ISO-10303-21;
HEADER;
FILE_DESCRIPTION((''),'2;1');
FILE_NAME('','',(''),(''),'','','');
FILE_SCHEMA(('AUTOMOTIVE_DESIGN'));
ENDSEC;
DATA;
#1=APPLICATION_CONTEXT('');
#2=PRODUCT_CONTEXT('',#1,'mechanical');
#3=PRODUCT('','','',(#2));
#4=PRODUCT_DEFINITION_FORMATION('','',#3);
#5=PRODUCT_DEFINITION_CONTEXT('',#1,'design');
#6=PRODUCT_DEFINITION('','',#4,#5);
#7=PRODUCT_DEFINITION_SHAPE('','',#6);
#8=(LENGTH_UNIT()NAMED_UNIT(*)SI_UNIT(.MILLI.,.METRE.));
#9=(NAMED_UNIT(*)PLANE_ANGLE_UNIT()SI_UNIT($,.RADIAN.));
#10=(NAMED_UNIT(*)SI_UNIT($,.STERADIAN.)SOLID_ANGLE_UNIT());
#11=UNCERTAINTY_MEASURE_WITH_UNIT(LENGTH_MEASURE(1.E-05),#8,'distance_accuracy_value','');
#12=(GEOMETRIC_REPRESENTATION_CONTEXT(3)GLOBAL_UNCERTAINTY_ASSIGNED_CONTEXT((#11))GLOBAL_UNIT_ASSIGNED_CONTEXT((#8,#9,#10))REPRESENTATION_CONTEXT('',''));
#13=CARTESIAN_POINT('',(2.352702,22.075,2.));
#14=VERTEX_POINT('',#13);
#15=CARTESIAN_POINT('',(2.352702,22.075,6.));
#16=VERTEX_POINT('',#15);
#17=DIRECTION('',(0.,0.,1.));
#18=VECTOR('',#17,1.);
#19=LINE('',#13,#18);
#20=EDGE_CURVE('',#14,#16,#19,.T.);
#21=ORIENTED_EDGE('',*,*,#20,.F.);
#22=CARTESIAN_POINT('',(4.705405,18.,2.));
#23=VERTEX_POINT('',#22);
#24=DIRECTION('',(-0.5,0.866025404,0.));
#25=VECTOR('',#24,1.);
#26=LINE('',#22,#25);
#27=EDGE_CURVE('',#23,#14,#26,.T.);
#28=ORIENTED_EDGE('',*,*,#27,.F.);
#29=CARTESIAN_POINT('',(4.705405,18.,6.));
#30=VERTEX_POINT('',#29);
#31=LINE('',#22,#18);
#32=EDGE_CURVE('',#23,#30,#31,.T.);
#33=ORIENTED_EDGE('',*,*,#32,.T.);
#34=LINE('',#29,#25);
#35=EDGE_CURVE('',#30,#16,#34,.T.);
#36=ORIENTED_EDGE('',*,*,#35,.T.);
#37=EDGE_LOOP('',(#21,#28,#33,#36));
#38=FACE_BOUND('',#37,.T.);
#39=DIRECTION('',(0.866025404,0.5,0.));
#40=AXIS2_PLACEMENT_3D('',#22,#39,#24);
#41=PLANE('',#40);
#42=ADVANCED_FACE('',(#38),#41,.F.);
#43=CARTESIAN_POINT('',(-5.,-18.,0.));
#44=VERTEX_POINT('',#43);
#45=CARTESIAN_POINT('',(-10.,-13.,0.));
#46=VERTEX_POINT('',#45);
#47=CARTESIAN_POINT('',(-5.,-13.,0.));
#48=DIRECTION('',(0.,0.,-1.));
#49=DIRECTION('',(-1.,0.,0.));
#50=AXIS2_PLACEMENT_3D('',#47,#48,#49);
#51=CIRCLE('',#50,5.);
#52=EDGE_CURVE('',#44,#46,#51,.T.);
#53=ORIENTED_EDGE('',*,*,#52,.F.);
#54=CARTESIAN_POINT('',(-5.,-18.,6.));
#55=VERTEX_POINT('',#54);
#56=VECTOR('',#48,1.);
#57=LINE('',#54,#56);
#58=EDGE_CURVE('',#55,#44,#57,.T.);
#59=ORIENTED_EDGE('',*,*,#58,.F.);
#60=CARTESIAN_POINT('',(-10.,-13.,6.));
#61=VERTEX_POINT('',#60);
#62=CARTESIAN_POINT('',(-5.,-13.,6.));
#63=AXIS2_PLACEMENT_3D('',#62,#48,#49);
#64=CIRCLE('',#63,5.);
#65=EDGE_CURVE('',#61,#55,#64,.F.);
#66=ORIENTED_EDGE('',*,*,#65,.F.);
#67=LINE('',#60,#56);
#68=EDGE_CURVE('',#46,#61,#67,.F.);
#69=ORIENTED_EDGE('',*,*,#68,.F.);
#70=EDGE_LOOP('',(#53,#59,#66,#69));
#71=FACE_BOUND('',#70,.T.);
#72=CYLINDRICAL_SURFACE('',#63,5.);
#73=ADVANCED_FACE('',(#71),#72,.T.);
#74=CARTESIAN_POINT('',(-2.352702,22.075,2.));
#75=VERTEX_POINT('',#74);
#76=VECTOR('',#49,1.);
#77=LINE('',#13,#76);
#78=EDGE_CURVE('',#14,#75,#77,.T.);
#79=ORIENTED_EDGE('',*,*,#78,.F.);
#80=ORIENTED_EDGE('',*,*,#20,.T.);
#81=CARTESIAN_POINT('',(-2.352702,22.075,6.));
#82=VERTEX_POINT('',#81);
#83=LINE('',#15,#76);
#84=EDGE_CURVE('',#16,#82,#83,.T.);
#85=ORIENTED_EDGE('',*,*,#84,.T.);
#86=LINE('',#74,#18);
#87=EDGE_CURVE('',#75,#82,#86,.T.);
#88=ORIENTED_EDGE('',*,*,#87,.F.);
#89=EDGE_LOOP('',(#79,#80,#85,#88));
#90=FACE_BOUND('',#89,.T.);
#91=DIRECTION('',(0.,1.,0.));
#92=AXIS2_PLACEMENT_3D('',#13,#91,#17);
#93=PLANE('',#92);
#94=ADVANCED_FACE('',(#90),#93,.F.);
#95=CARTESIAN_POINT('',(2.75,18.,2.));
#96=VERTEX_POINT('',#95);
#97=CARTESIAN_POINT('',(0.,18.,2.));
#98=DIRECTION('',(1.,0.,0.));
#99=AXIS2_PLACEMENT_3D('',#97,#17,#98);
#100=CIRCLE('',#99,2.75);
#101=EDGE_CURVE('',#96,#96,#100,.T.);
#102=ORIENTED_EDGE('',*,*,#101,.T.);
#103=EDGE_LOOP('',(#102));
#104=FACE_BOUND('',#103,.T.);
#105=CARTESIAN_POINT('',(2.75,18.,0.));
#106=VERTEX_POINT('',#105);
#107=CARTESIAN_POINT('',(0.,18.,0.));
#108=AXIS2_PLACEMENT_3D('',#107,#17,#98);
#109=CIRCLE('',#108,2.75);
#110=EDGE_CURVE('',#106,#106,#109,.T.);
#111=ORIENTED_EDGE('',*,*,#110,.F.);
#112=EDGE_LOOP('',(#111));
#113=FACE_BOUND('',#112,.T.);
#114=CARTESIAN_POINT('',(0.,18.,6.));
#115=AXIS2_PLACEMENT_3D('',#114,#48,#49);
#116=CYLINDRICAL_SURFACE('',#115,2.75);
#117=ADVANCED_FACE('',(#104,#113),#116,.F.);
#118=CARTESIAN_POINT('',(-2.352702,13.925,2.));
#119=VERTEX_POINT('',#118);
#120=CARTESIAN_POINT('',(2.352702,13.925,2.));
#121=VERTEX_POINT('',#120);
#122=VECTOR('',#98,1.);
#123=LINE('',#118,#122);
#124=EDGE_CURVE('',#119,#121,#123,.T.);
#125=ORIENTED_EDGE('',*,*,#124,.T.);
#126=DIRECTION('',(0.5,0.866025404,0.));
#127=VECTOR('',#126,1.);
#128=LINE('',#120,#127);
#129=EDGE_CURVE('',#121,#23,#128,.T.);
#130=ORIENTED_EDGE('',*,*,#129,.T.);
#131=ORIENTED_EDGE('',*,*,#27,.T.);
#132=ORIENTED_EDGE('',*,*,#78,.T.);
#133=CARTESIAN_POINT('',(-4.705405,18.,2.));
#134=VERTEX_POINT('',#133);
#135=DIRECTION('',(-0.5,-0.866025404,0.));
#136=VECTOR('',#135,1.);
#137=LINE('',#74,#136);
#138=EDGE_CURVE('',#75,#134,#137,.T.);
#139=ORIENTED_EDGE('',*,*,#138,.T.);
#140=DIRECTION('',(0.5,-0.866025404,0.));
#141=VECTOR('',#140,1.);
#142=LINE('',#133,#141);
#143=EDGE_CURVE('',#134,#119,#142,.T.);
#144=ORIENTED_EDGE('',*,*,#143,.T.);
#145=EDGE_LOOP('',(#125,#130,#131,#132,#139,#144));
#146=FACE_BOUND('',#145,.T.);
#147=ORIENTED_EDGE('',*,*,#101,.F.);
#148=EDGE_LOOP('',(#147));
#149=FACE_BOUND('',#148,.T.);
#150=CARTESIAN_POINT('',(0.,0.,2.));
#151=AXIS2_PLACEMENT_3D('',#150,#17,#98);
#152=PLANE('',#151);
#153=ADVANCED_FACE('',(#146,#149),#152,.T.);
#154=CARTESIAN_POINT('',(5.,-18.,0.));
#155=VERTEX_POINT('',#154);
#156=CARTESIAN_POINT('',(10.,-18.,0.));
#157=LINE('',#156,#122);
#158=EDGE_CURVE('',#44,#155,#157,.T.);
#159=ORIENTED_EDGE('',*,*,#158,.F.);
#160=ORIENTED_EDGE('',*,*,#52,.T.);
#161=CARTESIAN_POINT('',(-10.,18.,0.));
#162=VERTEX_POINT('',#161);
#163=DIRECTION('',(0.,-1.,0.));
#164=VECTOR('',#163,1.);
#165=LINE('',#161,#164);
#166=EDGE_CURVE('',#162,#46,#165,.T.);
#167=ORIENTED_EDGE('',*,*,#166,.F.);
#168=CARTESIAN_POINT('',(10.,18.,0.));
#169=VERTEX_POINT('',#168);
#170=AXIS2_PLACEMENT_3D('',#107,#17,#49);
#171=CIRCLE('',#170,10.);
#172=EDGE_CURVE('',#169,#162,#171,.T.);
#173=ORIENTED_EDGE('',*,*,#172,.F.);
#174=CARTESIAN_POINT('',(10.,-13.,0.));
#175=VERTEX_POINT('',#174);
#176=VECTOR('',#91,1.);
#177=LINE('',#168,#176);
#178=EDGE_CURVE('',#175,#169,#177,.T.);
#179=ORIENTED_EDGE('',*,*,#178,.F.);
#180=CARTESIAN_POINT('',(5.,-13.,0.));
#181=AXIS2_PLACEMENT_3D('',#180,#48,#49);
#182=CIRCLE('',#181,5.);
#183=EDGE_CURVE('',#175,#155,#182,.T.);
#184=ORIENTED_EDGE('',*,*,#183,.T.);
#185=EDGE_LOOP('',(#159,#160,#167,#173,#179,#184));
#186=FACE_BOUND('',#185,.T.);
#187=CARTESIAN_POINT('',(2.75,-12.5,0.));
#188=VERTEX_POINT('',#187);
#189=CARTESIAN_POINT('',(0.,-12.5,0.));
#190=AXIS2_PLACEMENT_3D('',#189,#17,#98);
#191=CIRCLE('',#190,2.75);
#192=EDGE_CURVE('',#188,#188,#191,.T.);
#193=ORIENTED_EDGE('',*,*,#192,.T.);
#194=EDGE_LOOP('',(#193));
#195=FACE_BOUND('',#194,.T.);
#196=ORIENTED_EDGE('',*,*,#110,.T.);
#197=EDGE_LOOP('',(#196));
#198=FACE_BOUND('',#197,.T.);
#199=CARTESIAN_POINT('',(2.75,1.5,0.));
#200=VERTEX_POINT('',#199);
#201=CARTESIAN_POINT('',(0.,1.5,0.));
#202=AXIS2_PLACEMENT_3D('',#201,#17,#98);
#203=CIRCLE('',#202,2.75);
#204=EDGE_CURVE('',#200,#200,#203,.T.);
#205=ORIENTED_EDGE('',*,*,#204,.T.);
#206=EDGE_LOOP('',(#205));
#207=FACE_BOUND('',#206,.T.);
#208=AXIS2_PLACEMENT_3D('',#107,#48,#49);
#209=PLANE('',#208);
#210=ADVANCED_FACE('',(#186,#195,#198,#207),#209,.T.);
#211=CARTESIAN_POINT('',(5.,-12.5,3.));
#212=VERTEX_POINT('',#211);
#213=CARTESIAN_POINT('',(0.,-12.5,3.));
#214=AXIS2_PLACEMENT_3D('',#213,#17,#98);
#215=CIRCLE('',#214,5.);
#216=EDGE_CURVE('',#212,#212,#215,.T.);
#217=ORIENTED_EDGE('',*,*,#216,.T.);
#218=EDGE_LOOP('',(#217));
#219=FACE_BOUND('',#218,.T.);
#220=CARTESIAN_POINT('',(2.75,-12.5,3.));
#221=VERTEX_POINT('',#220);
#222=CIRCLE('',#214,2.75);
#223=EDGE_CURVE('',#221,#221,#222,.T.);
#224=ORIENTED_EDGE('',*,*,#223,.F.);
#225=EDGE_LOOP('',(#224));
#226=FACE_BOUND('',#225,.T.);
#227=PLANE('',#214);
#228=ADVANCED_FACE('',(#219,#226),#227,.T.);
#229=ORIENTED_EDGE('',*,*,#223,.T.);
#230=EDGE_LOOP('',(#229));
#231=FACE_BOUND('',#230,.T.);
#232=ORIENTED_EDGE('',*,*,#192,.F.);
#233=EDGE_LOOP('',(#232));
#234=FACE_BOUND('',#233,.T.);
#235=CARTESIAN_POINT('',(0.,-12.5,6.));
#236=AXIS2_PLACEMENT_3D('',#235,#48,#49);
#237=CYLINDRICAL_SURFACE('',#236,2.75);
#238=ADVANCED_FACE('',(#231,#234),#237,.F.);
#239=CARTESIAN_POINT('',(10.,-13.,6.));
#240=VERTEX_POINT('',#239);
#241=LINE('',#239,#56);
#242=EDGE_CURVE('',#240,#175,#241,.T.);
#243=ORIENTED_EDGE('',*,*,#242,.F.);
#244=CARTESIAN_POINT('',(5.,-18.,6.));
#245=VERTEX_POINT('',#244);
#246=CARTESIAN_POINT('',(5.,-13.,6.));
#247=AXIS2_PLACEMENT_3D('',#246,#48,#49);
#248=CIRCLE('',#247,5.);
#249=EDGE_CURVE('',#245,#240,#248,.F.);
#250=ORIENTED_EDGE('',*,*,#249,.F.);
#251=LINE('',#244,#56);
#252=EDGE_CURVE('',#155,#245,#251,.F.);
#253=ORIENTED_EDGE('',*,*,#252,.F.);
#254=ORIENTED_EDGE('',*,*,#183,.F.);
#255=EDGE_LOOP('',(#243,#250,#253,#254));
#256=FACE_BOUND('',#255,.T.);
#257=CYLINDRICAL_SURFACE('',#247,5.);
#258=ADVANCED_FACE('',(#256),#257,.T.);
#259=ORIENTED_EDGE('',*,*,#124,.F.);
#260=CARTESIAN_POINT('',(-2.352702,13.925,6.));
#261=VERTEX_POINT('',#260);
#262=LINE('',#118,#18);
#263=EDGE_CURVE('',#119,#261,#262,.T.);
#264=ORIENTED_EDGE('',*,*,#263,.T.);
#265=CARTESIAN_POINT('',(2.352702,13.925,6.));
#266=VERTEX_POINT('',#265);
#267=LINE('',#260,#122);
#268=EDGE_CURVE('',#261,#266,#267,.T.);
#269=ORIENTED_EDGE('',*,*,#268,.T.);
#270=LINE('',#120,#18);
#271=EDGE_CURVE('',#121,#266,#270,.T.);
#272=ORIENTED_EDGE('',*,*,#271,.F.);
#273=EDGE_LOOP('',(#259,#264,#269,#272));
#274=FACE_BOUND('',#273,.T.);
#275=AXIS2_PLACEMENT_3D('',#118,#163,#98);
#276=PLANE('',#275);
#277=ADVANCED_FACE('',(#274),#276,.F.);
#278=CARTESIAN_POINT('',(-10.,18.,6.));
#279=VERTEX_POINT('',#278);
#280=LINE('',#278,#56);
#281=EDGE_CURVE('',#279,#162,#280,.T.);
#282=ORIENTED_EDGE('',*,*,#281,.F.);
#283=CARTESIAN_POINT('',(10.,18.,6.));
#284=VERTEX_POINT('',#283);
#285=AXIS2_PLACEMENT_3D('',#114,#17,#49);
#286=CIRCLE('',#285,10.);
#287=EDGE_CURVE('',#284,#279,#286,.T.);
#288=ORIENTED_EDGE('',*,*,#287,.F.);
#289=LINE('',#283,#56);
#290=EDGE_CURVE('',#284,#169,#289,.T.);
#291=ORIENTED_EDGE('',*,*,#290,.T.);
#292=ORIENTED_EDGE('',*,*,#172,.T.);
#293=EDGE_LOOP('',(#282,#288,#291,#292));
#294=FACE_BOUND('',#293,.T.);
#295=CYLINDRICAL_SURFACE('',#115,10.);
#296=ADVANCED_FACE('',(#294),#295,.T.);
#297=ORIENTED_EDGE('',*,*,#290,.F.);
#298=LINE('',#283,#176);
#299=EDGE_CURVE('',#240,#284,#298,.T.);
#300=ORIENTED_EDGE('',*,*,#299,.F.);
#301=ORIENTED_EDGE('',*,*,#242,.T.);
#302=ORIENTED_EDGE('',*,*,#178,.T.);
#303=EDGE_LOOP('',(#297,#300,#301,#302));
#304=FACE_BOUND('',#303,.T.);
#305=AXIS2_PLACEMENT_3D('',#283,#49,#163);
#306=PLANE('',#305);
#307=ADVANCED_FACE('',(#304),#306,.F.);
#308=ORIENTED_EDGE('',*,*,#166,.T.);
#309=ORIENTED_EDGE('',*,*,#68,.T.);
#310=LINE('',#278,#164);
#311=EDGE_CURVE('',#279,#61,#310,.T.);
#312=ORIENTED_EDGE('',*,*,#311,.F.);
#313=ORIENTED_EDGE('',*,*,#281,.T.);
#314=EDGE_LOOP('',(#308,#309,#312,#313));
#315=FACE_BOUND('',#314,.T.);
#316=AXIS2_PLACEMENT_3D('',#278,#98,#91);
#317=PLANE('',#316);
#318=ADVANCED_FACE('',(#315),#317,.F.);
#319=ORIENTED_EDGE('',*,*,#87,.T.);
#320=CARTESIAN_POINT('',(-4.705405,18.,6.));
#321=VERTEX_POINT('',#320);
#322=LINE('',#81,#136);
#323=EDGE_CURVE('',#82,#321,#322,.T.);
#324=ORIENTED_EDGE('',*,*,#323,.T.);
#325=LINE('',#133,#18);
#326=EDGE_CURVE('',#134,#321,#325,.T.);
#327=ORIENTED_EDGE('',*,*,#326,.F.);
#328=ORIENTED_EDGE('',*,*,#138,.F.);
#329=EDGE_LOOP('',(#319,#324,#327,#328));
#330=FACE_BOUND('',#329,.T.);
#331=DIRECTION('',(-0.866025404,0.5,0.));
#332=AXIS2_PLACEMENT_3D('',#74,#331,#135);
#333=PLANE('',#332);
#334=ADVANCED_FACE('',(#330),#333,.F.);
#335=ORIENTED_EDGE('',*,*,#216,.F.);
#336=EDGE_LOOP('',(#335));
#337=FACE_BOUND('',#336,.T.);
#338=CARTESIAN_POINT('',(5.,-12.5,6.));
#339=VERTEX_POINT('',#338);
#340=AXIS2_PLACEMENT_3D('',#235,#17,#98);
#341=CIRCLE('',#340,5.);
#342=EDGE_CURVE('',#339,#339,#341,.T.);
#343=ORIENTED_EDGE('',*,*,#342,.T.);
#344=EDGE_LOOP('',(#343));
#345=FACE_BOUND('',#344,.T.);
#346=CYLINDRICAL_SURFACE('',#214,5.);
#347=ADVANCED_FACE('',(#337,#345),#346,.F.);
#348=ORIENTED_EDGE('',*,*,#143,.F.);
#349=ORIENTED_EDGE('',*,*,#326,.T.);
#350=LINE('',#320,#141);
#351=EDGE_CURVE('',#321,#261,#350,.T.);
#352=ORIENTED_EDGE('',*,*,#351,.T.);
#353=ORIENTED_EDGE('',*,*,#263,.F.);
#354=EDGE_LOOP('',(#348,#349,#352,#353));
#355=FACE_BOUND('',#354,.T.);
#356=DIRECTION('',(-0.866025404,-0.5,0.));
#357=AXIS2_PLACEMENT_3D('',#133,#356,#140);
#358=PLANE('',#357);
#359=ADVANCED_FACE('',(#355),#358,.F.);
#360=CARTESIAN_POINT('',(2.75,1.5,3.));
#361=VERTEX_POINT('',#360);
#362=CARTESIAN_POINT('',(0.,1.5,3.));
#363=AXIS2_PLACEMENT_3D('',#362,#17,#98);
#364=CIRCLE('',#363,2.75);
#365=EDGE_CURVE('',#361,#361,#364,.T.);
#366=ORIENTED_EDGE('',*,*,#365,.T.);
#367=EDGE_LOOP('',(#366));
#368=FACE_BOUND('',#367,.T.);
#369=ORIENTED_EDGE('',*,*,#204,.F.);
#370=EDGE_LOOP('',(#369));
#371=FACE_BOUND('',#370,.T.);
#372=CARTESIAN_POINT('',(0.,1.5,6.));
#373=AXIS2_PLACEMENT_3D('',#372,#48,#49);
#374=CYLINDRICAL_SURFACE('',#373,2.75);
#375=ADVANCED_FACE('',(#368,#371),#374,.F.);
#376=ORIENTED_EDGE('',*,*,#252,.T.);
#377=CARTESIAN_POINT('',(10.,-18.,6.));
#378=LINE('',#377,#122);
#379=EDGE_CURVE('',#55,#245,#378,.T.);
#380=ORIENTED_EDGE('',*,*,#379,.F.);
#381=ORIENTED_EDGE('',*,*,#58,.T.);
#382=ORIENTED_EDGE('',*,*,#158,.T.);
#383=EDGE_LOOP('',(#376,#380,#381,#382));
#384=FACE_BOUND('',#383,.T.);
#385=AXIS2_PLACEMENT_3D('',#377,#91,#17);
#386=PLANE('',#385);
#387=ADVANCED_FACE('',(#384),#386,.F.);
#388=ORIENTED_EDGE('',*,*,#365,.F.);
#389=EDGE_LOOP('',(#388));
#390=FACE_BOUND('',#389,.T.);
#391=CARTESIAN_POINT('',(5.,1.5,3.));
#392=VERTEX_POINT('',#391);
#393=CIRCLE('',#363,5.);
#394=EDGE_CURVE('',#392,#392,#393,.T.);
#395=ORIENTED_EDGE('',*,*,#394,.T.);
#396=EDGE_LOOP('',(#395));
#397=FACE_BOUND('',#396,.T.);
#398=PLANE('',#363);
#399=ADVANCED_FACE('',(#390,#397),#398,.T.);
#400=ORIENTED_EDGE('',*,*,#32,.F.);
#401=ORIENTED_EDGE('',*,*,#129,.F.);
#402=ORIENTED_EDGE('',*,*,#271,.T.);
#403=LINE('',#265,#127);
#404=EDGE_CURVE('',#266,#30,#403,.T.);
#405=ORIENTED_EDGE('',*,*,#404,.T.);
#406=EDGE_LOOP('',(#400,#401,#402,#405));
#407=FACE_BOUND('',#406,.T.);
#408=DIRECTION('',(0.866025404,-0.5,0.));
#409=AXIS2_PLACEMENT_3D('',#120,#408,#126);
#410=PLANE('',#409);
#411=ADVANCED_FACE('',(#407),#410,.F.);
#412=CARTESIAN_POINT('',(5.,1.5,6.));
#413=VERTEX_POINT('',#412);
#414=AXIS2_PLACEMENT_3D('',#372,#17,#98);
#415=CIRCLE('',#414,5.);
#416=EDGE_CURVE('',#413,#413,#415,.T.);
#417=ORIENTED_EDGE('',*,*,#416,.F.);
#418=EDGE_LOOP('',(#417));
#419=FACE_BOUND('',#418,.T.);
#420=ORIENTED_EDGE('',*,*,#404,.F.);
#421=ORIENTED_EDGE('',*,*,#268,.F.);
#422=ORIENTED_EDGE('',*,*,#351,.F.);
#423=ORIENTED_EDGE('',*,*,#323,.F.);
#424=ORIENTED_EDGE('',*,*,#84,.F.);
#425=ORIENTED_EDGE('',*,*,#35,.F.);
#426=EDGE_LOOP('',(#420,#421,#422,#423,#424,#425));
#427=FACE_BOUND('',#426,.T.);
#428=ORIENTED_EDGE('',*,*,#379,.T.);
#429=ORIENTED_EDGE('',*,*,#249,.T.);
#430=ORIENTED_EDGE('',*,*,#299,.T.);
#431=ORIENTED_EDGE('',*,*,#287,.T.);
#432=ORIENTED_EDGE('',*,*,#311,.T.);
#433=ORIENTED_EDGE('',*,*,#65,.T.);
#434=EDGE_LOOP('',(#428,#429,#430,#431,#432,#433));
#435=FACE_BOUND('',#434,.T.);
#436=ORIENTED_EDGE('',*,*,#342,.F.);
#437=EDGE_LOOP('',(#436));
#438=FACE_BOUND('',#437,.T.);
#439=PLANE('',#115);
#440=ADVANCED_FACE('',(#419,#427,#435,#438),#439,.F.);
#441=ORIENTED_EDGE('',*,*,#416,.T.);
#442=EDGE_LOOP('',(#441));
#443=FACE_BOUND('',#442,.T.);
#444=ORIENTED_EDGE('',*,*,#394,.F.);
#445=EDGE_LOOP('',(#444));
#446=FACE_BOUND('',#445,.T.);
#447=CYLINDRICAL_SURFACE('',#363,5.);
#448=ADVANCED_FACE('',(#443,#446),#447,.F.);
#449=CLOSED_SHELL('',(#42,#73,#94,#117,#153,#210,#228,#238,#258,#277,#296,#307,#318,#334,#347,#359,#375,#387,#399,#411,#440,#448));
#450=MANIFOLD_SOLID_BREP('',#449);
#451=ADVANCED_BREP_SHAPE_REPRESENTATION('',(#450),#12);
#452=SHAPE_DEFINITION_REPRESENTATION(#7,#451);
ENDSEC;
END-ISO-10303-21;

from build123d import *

# Parameters (mm, degrees)
SKETCH_2_R          = 2.75
EXTRUDE_1_DEPTH     = 6
SKETCH_3_R          = 5
CUT_EXTRUDE_1_DEPTH = 3
FILLET_1_R          = 5
CUT_EXTRUDE_2_DEPTH = 4


with BuildPart() as part:
    # Эскиз2 → Бобышка-Вытянуть1 (new body)
    with BuildSketch(Plane.XY):
        with BuildLine():
            Line((10, 18), (10, -18))
            Line((10, -18), (-10, -18))
            Line((-10, -18), (-10, 18))
            ThreePointArc((-10, 18), (0, 28), (10, 18))
        make_face()
        with Locations((0, 1.5)):
            Circle(SKETCH_2_R, mode=Mode.SUBTRACT)
        with Locations((0, -12.5)):
            Circle(SKETCH_2_R, mode=Mode.SUBTRACT)
        with Locations((0, 18)):
            Circle(SKETCH_2_R, mode=Mode.SUBTRACT)
    extrude(amount=EXTRUDE_1_DEPTH)

    # Эскиз3 → Вырез-Вытянуть1 (cut)
    with BuildSketch(Plane.XY.offset(6)):
        with Locations((0, 1.5)):
            Circle(SKETCH_3_R)
        with Locations((0, -12.5)):
            Circle(SKETCH_3_R)
    extrude(amount=-CUT_EXTRUDE_1_DEPTH, mode=Mode.SUBTRACT)

    # Скругление1
    fillet_1_edges = [part.edges().sort_by_distance(p)[0] for p in [
        (10, -18, 3),
        (-10, -18, 3),
    ]]
    fillet(fillet_1_edges, radius=FILLET_1_R)

    # Эскиз4 → Вырез-Вытянуть2 (cut)
    with BuildSketch(Plane.XY.offset(6)):
        Polygon((2.352702347, 13.925), (4.705404694, 18), (2.352702347, 22.075), (-2.352702347, 22.075), (-4.705404694, 18), (-2.352702347, 13.925), align=None)
    extrude(amount=-CUT_EXTRUDE_2_DEPTH, mode=Mode.SUBTRACT)


solid = part.part
